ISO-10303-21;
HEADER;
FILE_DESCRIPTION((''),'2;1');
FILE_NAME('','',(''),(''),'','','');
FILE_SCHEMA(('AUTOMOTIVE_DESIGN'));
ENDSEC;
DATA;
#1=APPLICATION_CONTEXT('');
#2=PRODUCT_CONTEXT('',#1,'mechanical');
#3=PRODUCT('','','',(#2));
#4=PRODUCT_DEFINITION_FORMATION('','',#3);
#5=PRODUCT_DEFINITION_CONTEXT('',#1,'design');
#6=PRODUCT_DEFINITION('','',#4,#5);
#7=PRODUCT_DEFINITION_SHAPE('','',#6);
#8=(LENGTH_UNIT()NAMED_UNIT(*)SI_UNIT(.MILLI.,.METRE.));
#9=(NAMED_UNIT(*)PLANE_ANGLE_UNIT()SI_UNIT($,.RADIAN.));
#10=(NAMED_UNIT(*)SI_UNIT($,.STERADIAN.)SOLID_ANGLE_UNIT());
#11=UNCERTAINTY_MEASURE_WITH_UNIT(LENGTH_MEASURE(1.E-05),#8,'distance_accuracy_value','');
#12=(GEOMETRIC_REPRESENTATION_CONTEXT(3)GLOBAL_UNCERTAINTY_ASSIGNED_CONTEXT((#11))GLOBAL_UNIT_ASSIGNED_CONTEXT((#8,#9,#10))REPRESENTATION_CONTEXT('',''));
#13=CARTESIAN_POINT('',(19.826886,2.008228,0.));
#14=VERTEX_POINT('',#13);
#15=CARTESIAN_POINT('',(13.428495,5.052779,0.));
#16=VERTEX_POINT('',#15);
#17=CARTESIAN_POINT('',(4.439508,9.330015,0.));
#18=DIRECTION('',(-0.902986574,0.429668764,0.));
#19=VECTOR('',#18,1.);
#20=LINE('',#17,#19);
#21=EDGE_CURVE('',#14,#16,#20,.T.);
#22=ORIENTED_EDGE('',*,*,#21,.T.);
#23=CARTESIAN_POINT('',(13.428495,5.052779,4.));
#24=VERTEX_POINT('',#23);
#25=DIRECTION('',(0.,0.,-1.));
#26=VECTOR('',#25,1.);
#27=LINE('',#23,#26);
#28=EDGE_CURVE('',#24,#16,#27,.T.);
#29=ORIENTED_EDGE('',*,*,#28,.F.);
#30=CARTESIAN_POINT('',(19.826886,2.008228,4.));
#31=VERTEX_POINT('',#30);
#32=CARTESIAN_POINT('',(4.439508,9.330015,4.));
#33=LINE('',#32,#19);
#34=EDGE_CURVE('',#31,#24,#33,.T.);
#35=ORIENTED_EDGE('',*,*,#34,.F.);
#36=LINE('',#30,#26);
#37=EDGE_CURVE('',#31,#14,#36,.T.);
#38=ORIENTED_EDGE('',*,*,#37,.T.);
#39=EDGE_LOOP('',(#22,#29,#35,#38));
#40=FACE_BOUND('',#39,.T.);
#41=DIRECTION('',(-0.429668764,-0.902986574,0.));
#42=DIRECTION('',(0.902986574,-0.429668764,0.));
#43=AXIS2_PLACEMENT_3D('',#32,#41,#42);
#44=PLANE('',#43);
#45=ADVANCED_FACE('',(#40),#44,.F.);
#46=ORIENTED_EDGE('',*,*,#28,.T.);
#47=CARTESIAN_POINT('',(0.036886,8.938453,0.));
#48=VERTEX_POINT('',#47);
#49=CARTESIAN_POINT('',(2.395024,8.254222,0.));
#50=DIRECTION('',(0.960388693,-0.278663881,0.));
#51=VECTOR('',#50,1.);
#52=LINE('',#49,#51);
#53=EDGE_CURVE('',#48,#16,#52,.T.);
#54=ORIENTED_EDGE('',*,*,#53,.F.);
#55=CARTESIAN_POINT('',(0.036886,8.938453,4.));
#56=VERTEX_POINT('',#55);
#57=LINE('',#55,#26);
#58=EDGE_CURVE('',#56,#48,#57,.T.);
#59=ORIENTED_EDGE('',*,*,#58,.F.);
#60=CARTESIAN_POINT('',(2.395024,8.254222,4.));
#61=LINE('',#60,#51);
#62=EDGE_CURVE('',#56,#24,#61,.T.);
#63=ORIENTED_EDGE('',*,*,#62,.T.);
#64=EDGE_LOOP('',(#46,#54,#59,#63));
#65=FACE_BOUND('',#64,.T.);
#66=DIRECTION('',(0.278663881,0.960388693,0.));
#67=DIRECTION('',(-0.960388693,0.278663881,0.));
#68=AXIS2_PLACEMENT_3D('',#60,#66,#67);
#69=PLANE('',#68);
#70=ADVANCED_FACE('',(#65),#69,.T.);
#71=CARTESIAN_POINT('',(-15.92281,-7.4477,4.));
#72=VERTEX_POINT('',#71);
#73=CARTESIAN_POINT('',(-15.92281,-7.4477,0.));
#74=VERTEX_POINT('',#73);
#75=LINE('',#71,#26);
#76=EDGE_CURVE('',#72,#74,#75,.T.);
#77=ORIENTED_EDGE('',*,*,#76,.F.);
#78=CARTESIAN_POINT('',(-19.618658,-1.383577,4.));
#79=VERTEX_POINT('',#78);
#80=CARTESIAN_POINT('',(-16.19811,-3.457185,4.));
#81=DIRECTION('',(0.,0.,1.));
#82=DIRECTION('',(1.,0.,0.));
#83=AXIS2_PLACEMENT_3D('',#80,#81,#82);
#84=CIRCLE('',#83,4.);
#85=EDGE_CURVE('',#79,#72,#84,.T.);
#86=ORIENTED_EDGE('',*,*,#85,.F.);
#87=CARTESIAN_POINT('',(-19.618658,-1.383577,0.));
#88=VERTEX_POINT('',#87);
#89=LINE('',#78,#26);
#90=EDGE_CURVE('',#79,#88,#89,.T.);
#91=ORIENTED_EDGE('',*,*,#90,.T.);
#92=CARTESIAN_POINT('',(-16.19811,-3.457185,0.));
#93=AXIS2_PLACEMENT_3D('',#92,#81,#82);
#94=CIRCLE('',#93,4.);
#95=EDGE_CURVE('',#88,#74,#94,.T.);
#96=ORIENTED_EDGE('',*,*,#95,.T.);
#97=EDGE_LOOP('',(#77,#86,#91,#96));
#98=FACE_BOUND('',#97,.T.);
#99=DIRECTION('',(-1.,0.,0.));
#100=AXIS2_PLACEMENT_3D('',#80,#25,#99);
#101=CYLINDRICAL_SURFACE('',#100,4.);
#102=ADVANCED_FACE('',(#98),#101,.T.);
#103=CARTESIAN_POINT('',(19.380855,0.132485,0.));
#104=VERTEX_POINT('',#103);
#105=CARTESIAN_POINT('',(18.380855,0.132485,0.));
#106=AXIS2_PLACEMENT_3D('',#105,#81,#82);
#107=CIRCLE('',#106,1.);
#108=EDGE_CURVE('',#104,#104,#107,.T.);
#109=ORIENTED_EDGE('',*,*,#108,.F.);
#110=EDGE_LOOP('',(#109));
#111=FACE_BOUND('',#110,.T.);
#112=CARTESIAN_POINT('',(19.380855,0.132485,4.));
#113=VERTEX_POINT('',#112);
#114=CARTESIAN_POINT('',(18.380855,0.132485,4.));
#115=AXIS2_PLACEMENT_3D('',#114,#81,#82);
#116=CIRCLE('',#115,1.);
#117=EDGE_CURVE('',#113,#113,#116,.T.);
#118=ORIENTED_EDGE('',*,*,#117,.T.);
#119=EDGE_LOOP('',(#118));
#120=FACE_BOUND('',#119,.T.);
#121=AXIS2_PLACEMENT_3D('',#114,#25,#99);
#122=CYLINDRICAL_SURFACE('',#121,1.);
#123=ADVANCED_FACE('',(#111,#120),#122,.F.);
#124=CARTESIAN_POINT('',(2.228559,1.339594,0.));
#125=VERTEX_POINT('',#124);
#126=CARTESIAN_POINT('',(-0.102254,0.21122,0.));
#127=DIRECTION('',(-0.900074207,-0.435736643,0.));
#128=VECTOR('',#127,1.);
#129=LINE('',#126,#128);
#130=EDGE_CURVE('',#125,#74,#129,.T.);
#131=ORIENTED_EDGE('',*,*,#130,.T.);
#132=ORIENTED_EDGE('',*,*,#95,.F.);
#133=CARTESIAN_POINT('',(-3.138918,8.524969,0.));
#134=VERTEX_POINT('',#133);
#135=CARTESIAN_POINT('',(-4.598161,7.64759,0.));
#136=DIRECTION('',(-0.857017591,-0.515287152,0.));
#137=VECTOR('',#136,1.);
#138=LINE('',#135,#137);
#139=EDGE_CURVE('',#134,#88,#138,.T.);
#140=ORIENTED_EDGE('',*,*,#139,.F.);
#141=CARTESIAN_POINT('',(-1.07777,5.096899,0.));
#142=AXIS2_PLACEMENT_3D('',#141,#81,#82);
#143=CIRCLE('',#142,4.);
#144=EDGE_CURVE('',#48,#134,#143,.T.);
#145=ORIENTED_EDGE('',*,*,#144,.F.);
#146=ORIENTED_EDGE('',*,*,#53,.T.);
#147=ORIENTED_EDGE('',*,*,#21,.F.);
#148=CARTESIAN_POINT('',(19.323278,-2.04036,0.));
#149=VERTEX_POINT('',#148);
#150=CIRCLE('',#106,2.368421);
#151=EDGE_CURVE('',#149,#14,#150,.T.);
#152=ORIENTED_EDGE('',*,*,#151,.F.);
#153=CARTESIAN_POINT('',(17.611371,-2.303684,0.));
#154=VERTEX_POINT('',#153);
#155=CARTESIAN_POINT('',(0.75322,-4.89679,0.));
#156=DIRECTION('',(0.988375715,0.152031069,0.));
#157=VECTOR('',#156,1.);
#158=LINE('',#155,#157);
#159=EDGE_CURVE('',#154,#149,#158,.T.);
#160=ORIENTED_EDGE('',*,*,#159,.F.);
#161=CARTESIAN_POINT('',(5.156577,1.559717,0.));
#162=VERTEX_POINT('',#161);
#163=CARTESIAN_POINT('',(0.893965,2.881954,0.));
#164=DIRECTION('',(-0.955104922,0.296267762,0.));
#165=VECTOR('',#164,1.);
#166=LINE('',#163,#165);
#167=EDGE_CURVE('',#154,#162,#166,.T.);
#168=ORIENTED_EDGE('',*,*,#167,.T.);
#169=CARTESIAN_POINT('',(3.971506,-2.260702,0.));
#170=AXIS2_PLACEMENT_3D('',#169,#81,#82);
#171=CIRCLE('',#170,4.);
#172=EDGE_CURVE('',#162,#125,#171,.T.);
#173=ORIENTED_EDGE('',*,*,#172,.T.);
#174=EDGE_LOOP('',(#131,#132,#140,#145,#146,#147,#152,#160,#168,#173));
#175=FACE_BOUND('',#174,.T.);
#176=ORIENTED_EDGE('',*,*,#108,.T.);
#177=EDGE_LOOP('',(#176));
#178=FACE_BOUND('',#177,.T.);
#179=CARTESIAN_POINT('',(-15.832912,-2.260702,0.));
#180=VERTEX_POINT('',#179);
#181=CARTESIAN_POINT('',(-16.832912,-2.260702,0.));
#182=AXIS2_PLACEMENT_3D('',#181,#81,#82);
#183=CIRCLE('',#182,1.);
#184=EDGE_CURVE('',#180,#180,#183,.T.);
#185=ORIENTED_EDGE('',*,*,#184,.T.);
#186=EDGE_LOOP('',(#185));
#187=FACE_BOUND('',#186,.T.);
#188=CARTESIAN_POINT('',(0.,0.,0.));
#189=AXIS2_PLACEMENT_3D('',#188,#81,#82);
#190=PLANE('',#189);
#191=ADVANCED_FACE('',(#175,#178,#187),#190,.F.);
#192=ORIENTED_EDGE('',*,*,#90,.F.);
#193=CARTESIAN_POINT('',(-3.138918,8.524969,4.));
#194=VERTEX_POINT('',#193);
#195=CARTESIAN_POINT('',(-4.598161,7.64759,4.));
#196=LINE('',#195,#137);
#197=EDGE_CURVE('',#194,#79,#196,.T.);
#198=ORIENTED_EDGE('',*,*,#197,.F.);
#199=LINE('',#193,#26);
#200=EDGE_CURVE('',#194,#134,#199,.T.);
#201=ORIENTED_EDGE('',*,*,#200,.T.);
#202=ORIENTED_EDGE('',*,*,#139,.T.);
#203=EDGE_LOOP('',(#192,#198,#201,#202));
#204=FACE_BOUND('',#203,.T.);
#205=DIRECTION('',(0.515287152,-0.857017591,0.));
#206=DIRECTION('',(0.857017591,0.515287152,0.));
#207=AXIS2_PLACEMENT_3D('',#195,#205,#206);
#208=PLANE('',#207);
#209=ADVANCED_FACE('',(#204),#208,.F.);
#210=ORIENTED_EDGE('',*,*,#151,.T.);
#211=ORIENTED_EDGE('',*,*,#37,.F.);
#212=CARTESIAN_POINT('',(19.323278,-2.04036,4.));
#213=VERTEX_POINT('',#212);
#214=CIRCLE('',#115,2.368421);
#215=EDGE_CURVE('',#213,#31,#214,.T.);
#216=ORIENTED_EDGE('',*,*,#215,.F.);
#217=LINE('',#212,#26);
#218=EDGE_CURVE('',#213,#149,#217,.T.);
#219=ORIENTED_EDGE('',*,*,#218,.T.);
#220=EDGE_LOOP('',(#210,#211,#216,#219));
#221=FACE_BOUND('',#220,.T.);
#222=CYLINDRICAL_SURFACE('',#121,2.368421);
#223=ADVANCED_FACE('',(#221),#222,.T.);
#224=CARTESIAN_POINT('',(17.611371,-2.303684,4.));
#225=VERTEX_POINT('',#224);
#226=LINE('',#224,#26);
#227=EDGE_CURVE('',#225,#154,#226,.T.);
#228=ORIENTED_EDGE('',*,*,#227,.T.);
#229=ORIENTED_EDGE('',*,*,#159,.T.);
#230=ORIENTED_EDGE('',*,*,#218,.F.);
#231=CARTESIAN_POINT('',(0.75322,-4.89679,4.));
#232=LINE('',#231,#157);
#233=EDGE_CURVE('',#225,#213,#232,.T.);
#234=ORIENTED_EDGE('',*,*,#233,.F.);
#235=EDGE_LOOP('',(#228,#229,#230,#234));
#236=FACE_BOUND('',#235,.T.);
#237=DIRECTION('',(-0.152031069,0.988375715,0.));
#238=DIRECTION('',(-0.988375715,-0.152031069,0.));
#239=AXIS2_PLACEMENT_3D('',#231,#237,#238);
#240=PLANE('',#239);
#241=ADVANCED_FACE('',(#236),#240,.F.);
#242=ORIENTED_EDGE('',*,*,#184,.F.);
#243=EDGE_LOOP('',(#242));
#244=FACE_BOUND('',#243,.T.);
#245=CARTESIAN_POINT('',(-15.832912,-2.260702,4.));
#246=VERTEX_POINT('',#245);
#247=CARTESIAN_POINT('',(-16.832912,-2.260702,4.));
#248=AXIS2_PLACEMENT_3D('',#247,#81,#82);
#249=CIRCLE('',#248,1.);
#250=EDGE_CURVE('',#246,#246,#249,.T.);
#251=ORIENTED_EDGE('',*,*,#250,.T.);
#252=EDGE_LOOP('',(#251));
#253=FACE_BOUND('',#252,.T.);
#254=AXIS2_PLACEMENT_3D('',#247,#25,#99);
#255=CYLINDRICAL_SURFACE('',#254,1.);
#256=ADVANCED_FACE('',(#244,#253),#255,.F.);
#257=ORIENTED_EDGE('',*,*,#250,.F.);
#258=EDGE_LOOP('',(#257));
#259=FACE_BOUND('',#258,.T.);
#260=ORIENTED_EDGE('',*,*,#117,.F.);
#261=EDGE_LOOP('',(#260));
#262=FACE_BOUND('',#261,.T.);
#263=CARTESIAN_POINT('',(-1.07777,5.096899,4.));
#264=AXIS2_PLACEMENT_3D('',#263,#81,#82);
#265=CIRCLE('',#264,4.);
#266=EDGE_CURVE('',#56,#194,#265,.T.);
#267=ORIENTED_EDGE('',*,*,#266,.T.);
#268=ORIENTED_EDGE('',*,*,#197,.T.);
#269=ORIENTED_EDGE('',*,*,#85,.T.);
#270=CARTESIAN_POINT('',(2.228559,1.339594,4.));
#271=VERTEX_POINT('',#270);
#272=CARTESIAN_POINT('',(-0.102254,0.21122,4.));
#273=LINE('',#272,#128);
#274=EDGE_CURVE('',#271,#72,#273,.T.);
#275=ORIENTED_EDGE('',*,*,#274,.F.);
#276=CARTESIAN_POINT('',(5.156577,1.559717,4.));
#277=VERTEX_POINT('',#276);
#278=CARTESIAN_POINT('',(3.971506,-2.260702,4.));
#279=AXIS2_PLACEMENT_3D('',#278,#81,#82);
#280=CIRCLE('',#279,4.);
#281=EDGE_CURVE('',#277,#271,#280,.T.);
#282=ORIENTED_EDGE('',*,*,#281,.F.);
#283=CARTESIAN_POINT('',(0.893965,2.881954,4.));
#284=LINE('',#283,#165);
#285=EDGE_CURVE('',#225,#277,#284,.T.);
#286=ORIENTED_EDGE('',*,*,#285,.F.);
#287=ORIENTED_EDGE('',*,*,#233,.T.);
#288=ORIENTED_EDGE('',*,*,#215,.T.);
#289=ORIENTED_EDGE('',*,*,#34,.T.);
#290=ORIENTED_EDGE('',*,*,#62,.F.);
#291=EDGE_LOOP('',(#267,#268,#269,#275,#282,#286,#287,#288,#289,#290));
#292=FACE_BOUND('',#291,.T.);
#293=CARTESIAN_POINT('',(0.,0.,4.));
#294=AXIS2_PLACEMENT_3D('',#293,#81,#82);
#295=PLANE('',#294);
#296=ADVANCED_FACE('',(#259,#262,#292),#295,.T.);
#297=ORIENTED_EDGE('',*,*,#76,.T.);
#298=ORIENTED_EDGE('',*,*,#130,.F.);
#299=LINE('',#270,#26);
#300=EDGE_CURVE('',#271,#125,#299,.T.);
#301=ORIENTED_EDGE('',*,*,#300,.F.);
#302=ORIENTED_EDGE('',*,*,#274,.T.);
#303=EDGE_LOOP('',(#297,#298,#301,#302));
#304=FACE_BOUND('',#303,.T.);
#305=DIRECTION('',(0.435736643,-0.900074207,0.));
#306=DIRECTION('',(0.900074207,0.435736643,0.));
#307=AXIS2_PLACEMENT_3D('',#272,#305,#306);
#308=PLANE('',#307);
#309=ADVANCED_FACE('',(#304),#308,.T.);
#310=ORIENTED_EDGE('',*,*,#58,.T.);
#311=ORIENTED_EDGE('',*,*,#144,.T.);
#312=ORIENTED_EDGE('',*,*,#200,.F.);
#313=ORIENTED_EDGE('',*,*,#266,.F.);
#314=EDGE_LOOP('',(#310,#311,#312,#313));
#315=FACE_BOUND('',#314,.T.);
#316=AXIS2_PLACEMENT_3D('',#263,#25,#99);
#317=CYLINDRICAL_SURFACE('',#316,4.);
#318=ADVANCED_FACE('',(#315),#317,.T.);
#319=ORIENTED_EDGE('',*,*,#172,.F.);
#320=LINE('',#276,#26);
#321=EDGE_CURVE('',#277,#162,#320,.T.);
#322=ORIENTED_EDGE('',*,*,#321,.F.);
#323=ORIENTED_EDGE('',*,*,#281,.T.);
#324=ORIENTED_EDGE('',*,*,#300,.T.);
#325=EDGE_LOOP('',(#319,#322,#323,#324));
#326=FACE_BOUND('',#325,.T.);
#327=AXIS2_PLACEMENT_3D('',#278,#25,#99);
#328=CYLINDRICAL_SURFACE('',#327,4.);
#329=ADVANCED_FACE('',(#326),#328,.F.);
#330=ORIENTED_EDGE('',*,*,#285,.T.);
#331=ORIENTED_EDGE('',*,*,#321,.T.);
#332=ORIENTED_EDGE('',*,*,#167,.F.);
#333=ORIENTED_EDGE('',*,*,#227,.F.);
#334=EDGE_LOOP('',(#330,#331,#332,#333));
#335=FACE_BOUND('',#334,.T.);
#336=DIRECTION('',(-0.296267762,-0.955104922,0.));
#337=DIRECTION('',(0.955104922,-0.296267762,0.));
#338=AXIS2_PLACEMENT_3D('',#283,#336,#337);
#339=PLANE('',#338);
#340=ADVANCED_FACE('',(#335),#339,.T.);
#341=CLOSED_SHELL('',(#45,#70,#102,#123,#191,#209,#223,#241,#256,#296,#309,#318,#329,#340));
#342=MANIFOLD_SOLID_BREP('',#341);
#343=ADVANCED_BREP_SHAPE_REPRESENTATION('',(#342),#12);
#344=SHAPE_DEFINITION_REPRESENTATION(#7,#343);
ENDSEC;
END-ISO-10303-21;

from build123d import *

# Parameters (mm, degrees)
SKETCH1_R           = 1
BOSS_EXTRUDE1_DEPTH = 4


with BuildPart() as part:
    # Sketch1 → Boss-Extrude1 (new body)
    with BuildSketch(Plane.XY):
        with BuildLine():
            ThreePointArc((5.156576759, 1.559717202), (3.671639417, 1.728041702), (2.228559137, 1.33959434))
            Line((2.228559137, 1.33959434), (-15.922809802, -7.447699535))
            ThreePointArc((-15.922809802, -7.447699535), (-19.613741884, -5.538880366), (-19.618658264, -1.383576999))
            Line((-19.618658264, -1.383576999), (-3.138918463, 8.524968964))
            ThreePointArc((-3.138918463, 8.524968964), (-1.594204388, 9.063420424), (0.036885671, 8.938453372))
            Line((0.036885671, 8.938453372), (13.428494888, 5.052778925))
            Line((13.428494888, 5.052778925), (19.826885957, 2.008227813))
            ThreePointArc((19.826885957, 2.008227813), (20.731162158, -0.159872308), (19.323277912, -2.040360419))
            Line((19.323277912, -2.040360419), (17.611370722, -2.303684453))
            Line((17.611370722, -2.303684453), (5.156576759, 1.559717202))
        make_face()
        with Locations((-16.832912189, -2.260702488)):
            Circle(SKETCH1_R, mode=Mode.SUBTRACT)
        with Locations((18.38085461, 0.132484859)):
            Circle(SKETCH1_R, mode=Mode.SUBTRACT)
    extrude(amount=BOSS_EXTRUDE1_DEPTH)


solid = part.part
